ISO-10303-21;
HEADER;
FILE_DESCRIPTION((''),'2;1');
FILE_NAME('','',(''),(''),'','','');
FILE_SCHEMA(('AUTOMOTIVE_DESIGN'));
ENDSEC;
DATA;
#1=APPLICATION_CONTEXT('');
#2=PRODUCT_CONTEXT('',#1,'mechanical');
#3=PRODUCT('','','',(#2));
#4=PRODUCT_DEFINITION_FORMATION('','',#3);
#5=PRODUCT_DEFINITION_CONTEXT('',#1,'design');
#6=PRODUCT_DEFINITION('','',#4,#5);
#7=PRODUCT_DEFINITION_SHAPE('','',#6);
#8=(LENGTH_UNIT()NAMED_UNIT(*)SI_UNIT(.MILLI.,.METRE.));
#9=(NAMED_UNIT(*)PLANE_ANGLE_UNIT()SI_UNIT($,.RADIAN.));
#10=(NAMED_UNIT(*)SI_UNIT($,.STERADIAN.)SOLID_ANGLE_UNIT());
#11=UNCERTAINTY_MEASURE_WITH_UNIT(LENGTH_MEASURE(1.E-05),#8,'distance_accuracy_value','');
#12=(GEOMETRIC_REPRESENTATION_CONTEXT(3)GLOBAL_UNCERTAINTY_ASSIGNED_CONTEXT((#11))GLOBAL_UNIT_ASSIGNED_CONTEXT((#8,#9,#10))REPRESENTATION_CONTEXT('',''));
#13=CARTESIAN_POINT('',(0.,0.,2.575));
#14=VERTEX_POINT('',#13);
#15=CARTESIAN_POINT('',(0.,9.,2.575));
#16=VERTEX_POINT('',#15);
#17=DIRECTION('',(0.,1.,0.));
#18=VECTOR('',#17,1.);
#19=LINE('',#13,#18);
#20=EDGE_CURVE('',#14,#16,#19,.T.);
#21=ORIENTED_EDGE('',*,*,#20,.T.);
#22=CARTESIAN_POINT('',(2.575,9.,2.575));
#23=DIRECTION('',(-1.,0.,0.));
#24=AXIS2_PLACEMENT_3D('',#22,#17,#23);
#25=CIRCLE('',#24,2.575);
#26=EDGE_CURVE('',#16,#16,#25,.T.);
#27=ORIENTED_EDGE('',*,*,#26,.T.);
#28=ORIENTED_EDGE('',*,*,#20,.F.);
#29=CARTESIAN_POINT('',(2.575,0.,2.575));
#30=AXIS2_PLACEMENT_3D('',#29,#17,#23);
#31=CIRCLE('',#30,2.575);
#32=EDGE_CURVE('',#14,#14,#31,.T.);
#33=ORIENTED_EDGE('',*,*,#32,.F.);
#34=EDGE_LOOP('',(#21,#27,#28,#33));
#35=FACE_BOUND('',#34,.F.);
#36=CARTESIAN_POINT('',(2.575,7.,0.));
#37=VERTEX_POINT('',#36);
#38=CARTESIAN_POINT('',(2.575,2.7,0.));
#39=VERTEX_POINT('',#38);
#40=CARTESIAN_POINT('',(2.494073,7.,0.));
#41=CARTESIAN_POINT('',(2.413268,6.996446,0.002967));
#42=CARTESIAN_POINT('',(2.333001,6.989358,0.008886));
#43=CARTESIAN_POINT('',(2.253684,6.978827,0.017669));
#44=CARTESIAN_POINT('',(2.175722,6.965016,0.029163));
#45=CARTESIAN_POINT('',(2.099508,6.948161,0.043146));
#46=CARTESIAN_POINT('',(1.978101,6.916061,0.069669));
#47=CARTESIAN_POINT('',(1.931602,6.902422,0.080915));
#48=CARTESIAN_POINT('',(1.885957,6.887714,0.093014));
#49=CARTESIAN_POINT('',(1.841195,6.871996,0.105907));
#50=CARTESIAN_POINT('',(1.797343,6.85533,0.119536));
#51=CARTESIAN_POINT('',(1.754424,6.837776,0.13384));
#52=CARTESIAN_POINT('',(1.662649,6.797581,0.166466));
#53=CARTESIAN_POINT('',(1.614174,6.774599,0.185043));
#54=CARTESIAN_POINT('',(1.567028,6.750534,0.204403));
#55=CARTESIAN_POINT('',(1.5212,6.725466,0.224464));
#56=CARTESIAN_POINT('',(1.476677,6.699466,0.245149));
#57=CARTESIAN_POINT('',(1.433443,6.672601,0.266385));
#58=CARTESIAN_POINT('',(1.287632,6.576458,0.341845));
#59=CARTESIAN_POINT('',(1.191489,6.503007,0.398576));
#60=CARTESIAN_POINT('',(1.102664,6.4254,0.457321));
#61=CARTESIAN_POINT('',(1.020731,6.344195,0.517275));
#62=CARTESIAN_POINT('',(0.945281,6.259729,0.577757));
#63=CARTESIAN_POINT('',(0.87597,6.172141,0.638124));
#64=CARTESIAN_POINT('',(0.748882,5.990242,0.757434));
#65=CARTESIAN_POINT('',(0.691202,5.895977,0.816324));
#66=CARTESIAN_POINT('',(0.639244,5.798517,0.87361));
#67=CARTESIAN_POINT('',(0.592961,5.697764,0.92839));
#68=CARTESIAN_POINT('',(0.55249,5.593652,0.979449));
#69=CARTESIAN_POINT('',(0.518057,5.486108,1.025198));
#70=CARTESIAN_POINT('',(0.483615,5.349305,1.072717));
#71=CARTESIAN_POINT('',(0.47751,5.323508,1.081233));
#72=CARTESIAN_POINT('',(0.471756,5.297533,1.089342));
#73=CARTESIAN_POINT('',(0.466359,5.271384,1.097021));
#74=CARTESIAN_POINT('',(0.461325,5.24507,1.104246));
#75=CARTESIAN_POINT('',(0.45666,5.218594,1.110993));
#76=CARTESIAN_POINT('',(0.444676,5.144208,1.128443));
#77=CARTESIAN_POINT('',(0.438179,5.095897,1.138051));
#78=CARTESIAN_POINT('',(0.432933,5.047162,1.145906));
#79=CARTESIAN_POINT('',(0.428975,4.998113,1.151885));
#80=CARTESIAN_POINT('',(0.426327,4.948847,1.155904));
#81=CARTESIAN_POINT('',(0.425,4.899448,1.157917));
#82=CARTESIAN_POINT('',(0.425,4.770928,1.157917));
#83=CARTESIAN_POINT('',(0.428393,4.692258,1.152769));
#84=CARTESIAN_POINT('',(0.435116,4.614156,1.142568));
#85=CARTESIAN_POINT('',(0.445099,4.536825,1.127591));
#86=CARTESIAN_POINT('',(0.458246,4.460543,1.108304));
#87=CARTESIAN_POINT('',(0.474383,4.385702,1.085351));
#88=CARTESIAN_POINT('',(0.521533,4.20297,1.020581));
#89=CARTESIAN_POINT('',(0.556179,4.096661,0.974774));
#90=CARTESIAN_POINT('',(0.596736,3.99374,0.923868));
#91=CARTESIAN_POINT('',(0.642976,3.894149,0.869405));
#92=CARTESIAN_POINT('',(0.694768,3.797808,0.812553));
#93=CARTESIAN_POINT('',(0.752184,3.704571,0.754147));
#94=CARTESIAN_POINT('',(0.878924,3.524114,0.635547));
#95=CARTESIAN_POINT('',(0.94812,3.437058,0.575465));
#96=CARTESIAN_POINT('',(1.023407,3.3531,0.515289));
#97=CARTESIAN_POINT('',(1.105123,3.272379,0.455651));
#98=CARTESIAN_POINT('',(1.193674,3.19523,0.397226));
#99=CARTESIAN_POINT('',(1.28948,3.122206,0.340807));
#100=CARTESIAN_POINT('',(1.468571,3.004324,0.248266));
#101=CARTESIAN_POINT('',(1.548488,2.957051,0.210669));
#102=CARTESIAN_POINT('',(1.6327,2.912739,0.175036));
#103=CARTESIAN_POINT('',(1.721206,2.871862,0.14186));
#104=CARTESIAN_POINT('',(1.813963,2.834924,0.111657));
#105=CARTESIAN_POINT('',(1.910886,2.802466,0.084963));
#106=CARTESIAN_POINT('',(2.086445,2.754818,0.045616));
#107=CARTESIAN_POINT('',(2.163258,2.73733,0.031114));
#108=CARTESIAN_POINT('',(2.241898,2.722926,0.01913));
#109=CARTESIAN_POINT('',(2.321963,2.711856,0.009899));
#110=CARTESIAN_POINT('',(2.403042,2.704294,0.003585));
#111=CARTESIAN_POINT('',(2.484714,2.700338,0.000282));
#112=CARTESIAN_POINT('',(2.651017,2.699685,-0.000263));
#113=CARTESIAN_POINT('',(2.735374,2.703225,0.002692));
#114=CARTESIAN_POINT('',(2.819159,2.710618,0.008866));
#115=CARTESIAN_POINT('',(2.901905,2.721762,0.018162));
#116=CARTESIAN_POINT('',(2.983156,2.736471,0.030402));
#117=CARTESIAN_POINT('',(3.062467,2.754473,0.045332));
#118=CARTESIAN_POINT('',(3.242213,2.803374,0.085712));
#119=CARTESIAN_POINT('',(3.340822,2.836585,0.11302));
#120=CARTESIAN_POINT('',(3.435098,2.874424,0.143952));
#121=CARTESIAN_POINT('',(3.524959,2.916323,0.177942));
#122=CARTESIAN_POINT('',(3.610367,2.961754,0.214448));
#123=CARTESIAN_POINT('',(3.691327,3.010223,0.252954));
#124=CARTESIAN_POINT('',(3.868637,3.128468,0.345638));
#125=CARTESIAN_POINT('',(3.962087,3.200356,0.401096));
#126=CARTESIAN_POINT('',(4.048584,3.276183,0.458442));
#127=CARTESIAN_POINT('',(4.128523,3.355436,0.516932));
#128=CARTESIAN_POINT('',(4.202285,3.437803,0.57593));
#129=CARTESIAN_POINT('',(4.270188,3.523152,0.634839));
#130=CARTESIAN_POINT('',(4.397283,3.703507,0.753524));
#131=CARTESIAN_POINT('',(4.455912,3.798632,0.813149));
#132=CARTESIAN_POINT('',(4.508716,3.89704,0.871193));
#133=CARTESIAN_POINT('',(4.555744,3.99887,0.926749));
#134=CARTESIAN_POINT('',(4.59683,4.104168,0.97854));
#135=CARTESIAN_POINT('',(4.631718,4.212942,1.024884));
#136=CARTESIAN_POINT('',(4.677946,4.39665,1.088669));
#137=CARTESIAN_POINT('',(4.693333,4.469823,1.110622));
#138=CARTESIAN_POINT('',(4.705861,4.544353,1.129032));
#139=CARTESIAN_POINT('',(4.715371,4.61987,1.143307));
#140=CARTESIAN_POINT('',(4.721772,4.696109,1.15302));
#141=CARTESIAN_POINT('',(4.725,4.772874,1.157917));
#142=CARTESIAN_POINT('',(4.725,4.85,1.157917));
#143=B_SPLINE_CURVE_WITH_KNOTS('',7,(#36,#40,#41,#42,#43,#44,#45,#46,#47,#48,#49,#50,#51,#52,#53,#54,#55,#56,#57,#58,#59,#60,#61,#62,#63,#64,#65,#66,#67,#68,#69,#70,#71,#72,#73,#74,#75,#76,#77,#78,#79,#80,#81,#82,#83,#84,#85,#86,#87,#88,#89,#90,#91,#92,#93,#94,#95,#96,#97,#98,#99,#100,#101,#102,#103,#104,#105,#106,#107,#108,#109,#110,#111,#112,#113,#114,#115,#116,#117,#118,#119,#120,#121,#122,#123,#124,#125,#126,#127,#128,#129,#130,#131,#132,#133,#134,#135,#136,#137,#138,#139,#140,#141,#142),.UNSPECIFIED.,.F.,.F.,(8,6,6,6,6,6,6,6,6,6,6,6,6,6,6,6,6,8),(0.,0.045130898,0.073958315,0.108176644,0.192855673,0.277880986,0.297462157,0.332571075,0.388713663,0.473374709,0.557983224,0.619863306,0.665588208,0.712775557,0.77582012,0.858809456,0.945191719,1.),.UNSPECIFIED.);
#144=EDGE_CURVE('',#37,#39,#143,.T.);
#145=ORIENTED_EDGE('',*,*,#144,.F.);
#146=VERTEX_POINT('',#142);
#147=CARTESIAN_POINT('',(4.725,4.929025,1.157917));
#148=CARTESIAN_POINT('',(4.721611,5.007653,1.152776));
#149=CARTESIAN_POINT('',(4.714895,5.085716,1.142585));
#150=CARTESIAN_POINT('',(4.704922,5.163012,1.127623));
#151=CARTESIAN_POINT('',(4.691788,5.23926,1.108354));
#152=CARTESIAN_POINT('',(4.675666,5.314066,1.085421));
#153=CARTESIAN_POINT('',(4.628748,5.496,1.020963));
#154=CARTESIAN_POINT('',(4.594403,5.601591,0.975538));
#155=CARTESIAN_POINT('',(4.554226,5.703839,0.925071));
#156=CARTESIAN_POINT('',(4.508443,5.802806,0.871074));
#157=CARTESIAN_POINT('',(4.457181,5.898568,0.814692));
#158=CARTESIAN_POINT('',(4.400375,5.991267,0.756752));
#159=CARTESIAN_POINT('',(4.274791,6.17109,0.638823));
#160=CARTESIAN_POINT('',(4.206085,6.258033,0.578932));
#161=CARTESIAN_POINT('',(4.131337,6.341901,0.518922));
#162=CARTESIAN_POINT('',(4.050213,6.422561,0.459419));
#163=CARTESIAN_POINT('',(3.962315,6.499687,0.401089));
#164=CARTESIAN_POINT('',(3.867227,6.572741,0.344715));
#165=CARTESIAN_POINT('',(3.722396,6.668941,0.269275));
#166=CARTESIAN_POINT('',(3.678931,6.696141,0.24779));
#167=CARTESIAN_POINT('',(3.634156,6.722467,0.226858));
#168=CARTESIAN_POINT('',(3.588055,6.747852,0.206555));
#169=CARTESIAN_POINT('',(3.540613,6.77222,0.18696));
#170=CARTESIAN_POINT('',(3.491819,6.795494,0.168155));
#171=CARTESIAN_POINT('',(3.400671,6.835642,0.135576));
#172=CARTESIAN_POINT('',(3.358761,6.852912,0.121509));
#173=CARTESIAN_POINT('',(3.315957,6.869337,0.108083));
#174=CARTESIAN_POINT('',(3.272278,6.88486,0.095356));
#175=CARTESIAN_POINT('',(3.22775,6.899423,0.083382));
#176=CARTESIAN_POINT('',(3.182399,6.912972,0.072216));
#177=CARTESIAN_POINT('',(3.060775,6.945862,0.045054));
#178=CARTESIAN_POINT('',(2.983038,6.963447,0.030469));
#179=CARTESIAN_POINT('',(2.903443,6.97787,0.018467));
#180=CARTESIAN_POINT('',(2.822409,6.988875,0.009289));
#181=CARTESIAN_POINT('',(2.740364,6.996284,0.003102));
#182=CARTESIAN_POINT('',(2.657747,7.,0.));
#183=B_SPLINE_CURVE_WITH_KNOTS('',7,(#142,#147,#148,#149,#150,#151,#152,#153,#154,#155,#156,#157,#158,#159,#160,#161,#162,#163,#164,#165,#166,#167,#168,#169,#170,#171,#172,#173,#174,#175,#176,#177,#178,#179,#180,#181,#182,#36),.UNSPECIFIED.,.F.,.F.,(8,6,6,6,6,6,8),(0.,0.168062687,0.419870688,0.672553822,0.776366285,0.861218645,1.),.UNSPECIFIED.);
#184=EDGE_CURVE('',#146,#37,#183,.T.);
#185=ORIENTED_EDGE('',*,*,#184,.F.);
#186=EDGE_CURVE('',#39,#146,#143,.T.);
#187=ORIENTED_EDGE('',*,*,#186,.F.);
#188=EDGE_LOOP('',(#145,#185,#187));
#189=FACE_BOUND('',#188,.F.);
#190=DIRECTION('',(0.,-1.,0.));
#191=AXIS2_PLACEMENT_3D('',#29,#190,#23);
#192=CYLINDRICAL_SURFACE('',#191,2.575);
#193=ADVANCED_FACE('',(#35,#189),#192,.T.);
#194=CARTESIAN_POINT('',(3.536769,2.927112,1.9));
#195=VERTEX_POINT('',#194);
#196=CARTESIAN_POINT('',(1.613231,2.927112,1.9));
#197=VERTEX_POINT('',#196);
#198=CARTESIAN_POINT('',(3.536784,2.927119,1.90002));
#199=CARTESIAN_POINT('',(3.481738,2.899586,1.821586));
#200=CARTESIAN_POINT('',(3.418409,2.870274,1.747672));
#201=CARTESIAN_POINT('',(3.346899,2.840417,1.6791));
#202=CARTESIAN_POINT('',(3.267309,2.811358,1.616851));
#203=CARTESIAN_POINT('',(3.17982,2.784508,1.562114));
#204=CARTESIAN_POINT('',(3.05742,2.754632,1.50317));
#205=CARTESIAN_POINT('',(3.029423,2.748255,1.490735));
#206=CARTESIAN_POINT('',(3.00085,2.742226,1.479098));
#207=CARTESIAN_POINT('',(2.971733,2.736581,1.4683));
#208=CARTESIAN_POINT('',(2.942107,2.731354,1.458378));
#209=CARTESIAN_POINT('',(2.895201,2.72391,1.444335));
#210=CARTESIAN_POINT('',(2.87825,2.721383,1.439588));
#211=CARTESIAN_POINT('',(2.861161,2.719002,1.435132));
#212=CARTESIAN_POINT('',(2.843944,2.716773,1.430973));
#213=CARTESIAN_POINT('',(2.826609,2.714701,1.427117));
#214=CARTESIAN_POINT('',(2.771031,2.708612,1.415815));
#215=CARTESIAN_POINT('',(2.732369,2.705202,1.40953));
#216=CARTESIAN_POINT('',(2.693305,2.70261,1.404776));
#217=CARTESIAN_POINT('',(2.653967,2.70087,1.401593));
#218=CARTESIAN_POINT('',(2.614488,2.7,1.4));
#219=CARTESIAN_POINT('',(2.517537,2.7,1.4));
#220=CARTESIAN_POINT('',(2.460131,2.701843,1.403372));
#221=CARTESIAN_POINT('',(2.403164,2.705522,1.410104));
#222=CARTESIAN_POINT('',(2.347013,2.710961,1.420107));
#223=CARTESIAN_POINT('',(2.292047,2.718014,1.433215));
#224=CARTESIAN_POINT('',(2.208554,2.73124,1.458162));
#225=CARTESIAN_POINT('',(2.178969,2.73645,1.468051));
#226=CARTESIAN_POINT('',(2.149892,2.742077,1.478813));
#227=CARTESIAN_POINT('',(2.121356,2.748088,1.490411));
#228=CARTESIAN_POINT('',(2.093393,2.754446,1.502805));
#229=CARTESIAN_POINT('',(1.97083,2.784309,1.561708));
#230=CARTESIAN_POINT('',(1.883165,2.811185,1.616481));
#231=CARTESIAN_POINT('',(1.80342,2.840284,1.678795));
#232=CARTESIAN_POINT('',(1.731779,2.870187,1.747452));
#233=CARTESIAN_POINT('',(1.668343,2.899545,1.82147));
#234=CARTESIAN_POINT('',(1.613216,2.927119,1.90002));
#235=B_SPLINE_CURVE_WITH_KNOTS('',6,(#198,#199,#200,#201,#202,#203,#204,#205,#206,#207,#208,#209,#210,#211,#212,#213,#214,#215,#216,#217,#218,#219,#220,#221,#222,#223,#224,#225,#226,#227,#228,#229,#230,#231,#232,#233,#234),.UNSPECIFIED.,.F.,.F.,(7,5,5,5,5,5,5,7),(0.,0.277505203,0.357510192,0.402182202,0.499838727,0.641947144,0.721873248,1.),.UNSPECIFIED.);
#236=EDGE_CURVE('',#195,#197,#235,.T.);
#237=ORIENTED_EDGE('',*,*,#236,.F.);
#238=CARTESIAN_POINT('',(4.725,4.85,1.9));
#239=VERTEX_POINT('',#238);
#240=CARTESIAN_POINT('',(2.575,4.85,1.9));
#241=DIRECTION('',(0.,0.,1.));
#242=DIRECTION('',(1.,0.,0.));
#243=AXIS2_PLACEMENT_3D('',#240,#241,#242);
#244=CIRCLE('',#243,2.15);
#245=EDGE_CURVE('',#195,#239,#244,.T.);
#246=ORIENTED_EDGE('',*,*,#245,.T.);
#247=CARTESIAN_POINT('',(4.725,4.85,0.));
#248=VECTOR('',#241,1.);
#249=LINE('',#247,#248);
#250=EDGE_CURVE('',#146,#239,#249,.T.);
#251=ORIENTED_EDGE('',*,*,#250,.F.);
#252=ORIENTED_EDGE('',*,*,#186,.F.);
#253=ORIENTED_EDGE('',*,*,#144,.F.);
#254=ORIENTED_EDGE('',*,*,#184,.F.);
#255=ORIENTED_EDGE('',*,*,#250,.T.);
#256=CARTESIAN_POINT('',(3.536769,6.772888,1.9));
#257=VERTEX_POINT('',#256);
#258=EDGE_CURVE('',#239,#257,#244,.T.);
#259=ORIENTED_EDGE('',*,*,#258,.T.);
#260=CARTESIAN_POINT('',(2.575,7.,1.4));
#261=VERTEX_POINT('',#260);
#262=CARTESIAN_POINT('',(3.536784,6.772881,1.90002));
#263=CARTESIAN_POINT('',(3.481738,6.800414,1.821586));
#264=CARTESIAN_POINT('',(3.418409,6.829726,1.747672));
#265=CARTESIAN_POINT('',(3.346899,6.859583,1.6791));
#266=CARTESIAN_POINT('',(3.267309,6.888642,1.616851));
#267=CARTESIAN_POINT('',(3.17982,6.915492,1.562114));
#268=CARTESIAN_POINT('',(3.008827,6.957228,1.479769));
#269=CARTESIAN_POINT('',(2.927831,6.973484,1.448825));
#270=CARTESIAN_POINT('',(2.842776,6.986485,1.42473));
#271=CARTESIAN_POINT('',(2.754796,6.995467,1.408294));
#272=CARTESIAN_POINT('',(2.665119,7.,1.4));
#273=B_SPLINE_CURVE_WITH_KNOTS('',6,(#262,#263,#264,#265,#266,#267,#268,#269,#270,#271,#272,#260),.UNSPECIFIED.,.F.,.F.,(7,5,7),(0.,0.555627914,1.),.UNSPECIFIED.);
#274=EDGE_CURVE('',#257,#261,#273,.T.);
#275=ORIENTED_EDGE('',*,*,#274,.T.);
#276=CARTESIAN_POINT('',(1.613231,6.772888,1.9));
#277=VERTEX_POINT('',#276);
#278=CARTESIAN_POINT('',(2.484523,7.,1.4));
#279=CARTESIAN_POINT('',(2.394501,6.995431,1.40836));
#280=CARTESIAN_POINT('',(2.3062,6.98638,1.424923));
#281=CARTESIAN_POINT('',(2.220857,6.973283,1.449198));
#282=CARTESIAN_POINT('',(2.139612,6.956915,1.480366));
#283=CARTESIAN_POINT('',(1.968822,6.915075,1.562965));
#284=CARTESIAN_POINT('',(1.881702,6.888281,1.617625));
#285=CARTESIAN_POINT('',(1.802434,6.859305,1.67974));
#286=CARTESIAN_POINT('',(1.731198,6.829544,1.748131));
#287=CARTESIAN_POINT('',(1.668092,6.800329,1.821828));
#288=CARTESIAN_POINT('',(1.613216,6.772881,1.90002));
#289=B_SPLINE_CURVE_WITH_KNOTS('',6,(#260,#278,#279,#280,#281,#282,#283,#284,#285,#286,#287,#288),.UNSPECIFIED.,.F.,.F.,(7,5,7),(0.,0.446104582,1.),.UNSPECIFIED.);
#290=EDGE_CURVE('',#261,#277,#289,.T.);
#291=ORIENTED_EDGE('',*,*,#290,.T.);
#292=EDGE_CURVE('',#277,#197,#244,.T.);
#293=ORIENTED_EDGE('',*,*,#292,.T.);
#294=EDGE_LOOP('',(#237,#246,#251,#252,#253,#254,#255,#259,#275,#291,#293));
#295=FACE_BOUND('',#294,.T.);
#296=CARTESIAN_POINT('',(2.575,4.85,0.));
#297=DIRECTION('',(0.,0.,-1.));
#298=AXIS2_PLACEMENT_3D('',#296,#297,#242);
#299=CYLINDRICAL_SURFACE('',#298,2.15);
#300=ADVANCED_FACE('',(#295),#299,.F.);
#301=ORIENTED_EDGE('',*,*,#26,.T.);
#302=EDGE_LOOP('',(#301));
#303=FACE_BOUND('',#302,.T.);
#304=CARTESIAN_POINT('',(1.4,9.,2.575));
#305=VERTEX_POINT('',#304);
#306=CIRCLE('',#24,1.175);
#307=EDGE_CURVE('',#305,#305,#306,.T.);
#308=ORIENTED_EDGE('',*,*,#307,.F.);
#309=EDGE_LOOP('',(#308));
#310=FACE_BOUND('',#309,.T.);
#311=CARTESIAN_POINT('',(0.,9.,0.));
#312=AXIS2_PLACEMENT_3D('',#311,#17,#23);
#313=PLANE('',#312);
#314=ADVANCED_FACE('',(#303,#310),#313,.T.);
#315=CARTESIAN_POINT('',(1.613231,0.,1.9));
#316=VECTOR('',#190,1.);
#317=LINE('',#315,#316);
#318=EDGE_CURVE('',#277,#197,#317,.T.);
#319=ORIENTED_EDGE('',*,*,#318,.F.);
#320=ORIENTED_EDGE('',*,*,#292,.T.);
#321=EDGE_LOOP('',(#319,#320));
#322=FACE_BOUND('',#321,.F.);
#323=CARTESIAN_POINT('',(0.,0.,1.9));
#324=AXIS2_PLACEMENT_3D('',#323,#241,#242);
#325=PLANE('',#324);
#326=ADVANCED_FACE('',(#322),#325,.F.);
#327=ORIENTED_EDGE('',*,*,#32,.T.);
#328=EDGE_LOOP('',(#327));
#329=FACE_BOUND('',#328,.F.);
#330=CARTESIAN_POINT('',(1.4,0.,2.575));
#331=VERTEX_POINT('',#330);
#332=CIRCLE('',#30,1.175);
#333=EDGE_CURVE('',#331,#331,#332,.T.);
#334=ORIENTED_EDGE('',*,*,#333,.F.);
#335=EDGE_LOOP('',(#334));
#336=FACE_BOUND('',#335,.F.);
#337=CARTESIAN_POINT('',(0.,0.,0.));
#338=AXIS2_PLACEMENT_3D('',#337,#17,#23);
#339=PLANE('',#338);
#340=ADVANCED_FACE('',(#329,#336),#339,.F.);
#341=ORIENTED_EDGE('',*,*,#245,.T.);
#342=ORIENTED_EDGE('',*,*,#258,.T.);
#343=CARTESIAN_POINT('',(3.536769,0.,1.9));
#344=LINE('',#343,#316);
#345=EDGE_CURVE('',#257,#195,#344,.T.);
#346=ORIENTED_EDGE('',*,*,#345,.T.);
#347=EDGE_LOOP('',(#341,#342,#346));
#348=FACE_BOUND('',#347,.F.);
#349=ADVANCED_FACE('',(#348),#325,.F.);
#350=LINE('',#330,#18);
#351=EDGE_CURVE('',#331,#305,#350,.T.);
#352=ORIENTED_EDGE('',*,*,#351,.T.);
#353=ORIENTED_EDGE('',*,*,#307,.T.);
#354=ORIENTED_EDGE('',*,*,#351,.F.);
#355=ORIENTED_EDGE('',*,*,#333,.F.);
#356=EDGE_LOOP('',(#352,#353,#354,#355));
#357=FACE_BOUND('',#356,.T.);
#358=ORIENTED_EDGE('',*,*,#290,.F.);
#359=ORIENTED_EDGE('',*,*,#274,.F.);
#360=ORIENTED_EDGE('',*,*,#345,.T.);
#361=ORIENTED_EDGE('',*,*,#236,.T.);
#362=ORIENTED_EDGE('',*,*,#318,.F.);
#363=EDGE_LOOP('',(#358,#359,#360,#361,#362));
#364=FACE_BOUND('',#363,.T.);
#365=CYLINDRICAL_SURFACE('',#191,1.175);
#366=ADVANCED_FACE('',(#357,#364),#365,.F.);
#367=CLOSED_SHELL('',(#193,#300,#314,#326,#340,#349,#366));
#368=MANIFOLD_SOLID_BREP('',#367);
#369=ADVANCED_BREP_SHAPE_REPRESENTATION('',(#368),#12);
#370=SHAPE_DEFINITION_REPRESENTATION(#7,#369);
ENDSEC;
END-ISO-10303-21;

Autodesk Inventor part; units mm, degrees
ref_plane "YZ Plane" through (0, 0, 0) normal (1, 0, 0) x (0, 1, 0)
ref_plane "XZ Plane" through (0, 0, 0) normal (0, 1, 0) x (-1, 0, 0)
sketch "Sketch1" plane through (0, 0, 0) normal (0, 1, 0) x (-1, 0, 0)
  circle A0 centre (-2.575, 2.575) radius 1.175
  circle A1 centre (-2.575, 2.575) radius 2.575
  line L0 (0, 0) -> (-7.3028, 0) construction
  line L1 (0, 0) -> (0, 4.3038) construction
  dimension "d0" = 2.35
  dimension "d1" = 5.15
extrude "Extrusion1" add sketch "Sketch1" along normal blind 9
ref_plane "Work Plane1" through (2.575, 0, 1.4) normal (0, 0, 1) x (1, 0, 0)
ref_plane "screwMaxDist" through (2.575, 0, 1.9) normal (0, 0, 1) x (1, 0, 0)
sketch "Sketch2" plane through (0, 0, 0) normal (0, 0, 1) x (1, 0, 0)
  line L0 (5.15, 9) -> (0, 9) projected
  circle A0 centre (2.575, 4.85) radius 2.15
  line L1 (5.15, 9) -> (0, 9) projected
  line L2 (5.15, 0) -> (0, 0) projected
  line L3 (0, 0) -> (0, 9) projected
  line L4 (0, 7) -> (5.15, 7)
  line L5 (5.15, 0) -> (5.15, 9) projected
  dimension "d5" = 4.3
  dimension "d15" = 2
  dimension "d16" = 2.575
  dimension "d17" = 2.575
extrude "Extrusion2" cut sketch "Sketch2" along normal up to surface (1.9 mm away) contours A0
equation "\"d16\" = d17"
properties part number "motor_shaft_adapter" material "ABS Plastic"
